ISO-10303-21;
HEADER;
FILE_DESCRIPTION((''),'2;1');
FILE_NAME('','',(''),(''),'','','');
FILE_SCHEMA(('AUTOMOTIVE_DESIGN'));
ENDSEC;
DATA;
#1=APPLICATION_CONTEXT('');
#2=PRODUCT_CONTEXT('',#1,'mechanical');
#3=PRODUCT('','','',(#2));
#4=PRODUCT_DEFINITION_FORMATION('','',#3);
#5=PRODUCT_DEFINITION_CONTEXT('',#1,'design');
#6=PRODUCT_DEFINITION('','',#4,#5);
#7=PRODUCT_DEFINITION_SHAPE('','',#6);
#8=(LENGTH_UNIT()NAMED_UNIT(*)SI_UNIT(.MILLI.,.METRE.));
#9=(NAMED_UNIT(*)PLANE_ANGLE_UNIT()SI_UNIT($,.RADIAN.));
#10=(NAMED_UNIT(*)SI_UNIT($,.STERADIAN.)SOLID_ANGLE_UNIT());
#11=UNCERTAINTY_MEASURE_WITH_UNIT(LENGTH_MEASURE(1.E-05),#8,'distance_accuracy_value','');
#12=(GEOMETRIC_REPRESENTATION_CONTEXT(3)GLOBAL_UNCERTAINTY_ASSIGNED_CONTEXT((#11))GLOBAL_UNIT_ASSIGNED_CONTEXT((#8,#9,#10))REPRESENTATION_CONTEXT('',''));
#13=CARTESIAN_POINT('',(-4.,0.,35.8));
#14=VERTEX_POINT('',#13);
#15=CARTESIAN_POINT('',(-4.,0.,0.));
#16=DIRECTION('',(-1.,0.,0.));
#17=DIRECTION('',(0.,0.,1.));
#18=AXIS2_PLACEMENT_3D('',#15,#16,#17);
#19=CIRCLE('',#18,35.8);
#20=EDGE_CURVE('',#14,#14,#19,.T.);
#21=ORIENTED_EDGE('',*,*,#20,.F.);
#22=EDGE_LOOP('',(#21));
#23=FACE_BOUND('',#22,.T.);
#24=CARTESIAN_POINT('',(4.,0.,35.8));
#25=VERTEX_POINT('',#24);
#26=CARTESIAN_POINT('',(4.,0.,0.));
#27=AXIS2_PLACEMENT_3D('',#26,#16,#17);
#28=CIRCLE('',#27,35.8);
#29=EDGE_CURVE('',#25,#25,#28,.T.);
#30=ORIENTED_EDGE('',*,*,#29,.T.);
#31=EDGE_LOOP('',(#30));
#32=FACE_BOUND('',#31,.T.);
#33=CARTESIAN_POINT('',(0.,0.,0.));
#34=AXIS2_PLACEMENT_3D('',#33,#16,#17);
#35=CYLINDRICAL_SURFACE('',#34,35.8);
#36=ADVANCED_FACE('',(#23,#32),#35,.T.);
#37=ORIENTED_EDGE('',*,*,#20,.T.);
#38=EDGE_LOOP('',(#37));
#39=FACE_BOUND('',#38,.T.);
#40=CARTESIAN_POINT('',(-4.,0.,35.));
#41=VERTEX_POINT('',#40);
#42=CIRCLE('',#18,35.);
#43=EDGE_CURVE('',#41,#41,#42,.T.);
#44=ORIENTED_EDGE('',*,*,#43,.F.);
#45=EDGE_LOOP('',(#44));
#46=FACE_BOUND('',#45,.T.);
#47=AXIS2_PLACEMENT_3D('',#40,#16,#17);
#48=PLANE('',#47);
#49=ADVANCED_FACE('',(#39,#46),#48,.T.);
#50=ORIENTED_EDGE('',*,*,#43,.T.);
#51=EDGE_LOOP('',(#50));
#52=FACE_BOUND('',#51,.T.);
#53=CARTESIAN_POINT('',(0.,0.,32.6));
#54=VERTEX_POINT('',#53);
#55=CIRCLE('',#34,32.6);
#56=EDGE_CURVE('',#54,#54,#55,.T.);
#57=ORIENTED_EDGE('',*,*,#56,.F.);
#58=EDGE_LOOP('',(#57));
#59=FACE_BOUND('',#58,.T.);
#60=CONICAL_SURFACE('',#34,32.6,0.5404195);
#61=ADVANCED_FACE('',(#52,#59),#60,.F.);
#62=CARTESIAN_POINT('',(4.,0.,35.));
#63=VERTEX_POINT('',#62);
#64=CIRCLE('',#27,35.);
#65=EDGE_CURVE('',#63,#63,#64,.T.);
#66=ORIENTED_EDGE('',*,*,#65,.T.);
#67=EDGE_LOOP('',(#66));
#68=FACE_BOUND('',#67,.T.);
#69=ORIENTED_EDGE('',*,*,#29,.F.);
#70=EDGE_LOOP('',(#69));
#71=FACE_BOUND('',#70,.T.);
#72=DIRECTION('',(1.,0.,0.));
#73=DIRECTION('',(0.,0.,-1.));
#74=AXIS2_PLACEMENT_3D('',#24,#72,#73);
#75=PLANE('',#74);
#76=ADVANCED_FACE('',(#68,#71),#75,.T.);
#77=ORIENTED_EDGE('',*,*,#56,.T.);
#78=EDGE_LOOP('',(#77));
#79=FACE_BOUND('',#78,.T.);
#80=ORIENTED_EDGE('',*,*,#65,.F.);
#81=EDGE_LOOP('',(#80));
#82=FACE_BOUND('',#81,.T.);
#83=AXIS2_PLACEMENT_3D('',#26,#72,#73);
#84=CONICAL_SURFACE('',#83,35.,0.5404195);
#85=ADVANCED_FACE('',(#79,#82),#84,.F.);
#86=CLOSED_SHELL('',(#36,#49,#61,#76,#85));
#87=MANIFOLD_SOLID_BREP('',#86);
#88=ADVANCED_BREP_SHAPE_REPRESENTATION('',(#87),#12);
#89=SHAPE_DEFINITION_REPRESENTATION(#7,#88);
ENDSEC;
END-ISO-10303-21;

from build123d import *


with BuildPart() as part:
    # Sketch2 → Revolve1 (revolve)
    with BuildSketch(Plane(origin=(0, 0, 0), x_dir=(1, 0, 0), z_dir=(0, 1, 0))):
        Polygon((4, -35), (0, -32.6), (-4, -35), (-4, -35.8), (4, -35.8), align=None)
    revolve(axis=Axis((0, 0, 0), (1, 0, 0)))


solid = part.part
